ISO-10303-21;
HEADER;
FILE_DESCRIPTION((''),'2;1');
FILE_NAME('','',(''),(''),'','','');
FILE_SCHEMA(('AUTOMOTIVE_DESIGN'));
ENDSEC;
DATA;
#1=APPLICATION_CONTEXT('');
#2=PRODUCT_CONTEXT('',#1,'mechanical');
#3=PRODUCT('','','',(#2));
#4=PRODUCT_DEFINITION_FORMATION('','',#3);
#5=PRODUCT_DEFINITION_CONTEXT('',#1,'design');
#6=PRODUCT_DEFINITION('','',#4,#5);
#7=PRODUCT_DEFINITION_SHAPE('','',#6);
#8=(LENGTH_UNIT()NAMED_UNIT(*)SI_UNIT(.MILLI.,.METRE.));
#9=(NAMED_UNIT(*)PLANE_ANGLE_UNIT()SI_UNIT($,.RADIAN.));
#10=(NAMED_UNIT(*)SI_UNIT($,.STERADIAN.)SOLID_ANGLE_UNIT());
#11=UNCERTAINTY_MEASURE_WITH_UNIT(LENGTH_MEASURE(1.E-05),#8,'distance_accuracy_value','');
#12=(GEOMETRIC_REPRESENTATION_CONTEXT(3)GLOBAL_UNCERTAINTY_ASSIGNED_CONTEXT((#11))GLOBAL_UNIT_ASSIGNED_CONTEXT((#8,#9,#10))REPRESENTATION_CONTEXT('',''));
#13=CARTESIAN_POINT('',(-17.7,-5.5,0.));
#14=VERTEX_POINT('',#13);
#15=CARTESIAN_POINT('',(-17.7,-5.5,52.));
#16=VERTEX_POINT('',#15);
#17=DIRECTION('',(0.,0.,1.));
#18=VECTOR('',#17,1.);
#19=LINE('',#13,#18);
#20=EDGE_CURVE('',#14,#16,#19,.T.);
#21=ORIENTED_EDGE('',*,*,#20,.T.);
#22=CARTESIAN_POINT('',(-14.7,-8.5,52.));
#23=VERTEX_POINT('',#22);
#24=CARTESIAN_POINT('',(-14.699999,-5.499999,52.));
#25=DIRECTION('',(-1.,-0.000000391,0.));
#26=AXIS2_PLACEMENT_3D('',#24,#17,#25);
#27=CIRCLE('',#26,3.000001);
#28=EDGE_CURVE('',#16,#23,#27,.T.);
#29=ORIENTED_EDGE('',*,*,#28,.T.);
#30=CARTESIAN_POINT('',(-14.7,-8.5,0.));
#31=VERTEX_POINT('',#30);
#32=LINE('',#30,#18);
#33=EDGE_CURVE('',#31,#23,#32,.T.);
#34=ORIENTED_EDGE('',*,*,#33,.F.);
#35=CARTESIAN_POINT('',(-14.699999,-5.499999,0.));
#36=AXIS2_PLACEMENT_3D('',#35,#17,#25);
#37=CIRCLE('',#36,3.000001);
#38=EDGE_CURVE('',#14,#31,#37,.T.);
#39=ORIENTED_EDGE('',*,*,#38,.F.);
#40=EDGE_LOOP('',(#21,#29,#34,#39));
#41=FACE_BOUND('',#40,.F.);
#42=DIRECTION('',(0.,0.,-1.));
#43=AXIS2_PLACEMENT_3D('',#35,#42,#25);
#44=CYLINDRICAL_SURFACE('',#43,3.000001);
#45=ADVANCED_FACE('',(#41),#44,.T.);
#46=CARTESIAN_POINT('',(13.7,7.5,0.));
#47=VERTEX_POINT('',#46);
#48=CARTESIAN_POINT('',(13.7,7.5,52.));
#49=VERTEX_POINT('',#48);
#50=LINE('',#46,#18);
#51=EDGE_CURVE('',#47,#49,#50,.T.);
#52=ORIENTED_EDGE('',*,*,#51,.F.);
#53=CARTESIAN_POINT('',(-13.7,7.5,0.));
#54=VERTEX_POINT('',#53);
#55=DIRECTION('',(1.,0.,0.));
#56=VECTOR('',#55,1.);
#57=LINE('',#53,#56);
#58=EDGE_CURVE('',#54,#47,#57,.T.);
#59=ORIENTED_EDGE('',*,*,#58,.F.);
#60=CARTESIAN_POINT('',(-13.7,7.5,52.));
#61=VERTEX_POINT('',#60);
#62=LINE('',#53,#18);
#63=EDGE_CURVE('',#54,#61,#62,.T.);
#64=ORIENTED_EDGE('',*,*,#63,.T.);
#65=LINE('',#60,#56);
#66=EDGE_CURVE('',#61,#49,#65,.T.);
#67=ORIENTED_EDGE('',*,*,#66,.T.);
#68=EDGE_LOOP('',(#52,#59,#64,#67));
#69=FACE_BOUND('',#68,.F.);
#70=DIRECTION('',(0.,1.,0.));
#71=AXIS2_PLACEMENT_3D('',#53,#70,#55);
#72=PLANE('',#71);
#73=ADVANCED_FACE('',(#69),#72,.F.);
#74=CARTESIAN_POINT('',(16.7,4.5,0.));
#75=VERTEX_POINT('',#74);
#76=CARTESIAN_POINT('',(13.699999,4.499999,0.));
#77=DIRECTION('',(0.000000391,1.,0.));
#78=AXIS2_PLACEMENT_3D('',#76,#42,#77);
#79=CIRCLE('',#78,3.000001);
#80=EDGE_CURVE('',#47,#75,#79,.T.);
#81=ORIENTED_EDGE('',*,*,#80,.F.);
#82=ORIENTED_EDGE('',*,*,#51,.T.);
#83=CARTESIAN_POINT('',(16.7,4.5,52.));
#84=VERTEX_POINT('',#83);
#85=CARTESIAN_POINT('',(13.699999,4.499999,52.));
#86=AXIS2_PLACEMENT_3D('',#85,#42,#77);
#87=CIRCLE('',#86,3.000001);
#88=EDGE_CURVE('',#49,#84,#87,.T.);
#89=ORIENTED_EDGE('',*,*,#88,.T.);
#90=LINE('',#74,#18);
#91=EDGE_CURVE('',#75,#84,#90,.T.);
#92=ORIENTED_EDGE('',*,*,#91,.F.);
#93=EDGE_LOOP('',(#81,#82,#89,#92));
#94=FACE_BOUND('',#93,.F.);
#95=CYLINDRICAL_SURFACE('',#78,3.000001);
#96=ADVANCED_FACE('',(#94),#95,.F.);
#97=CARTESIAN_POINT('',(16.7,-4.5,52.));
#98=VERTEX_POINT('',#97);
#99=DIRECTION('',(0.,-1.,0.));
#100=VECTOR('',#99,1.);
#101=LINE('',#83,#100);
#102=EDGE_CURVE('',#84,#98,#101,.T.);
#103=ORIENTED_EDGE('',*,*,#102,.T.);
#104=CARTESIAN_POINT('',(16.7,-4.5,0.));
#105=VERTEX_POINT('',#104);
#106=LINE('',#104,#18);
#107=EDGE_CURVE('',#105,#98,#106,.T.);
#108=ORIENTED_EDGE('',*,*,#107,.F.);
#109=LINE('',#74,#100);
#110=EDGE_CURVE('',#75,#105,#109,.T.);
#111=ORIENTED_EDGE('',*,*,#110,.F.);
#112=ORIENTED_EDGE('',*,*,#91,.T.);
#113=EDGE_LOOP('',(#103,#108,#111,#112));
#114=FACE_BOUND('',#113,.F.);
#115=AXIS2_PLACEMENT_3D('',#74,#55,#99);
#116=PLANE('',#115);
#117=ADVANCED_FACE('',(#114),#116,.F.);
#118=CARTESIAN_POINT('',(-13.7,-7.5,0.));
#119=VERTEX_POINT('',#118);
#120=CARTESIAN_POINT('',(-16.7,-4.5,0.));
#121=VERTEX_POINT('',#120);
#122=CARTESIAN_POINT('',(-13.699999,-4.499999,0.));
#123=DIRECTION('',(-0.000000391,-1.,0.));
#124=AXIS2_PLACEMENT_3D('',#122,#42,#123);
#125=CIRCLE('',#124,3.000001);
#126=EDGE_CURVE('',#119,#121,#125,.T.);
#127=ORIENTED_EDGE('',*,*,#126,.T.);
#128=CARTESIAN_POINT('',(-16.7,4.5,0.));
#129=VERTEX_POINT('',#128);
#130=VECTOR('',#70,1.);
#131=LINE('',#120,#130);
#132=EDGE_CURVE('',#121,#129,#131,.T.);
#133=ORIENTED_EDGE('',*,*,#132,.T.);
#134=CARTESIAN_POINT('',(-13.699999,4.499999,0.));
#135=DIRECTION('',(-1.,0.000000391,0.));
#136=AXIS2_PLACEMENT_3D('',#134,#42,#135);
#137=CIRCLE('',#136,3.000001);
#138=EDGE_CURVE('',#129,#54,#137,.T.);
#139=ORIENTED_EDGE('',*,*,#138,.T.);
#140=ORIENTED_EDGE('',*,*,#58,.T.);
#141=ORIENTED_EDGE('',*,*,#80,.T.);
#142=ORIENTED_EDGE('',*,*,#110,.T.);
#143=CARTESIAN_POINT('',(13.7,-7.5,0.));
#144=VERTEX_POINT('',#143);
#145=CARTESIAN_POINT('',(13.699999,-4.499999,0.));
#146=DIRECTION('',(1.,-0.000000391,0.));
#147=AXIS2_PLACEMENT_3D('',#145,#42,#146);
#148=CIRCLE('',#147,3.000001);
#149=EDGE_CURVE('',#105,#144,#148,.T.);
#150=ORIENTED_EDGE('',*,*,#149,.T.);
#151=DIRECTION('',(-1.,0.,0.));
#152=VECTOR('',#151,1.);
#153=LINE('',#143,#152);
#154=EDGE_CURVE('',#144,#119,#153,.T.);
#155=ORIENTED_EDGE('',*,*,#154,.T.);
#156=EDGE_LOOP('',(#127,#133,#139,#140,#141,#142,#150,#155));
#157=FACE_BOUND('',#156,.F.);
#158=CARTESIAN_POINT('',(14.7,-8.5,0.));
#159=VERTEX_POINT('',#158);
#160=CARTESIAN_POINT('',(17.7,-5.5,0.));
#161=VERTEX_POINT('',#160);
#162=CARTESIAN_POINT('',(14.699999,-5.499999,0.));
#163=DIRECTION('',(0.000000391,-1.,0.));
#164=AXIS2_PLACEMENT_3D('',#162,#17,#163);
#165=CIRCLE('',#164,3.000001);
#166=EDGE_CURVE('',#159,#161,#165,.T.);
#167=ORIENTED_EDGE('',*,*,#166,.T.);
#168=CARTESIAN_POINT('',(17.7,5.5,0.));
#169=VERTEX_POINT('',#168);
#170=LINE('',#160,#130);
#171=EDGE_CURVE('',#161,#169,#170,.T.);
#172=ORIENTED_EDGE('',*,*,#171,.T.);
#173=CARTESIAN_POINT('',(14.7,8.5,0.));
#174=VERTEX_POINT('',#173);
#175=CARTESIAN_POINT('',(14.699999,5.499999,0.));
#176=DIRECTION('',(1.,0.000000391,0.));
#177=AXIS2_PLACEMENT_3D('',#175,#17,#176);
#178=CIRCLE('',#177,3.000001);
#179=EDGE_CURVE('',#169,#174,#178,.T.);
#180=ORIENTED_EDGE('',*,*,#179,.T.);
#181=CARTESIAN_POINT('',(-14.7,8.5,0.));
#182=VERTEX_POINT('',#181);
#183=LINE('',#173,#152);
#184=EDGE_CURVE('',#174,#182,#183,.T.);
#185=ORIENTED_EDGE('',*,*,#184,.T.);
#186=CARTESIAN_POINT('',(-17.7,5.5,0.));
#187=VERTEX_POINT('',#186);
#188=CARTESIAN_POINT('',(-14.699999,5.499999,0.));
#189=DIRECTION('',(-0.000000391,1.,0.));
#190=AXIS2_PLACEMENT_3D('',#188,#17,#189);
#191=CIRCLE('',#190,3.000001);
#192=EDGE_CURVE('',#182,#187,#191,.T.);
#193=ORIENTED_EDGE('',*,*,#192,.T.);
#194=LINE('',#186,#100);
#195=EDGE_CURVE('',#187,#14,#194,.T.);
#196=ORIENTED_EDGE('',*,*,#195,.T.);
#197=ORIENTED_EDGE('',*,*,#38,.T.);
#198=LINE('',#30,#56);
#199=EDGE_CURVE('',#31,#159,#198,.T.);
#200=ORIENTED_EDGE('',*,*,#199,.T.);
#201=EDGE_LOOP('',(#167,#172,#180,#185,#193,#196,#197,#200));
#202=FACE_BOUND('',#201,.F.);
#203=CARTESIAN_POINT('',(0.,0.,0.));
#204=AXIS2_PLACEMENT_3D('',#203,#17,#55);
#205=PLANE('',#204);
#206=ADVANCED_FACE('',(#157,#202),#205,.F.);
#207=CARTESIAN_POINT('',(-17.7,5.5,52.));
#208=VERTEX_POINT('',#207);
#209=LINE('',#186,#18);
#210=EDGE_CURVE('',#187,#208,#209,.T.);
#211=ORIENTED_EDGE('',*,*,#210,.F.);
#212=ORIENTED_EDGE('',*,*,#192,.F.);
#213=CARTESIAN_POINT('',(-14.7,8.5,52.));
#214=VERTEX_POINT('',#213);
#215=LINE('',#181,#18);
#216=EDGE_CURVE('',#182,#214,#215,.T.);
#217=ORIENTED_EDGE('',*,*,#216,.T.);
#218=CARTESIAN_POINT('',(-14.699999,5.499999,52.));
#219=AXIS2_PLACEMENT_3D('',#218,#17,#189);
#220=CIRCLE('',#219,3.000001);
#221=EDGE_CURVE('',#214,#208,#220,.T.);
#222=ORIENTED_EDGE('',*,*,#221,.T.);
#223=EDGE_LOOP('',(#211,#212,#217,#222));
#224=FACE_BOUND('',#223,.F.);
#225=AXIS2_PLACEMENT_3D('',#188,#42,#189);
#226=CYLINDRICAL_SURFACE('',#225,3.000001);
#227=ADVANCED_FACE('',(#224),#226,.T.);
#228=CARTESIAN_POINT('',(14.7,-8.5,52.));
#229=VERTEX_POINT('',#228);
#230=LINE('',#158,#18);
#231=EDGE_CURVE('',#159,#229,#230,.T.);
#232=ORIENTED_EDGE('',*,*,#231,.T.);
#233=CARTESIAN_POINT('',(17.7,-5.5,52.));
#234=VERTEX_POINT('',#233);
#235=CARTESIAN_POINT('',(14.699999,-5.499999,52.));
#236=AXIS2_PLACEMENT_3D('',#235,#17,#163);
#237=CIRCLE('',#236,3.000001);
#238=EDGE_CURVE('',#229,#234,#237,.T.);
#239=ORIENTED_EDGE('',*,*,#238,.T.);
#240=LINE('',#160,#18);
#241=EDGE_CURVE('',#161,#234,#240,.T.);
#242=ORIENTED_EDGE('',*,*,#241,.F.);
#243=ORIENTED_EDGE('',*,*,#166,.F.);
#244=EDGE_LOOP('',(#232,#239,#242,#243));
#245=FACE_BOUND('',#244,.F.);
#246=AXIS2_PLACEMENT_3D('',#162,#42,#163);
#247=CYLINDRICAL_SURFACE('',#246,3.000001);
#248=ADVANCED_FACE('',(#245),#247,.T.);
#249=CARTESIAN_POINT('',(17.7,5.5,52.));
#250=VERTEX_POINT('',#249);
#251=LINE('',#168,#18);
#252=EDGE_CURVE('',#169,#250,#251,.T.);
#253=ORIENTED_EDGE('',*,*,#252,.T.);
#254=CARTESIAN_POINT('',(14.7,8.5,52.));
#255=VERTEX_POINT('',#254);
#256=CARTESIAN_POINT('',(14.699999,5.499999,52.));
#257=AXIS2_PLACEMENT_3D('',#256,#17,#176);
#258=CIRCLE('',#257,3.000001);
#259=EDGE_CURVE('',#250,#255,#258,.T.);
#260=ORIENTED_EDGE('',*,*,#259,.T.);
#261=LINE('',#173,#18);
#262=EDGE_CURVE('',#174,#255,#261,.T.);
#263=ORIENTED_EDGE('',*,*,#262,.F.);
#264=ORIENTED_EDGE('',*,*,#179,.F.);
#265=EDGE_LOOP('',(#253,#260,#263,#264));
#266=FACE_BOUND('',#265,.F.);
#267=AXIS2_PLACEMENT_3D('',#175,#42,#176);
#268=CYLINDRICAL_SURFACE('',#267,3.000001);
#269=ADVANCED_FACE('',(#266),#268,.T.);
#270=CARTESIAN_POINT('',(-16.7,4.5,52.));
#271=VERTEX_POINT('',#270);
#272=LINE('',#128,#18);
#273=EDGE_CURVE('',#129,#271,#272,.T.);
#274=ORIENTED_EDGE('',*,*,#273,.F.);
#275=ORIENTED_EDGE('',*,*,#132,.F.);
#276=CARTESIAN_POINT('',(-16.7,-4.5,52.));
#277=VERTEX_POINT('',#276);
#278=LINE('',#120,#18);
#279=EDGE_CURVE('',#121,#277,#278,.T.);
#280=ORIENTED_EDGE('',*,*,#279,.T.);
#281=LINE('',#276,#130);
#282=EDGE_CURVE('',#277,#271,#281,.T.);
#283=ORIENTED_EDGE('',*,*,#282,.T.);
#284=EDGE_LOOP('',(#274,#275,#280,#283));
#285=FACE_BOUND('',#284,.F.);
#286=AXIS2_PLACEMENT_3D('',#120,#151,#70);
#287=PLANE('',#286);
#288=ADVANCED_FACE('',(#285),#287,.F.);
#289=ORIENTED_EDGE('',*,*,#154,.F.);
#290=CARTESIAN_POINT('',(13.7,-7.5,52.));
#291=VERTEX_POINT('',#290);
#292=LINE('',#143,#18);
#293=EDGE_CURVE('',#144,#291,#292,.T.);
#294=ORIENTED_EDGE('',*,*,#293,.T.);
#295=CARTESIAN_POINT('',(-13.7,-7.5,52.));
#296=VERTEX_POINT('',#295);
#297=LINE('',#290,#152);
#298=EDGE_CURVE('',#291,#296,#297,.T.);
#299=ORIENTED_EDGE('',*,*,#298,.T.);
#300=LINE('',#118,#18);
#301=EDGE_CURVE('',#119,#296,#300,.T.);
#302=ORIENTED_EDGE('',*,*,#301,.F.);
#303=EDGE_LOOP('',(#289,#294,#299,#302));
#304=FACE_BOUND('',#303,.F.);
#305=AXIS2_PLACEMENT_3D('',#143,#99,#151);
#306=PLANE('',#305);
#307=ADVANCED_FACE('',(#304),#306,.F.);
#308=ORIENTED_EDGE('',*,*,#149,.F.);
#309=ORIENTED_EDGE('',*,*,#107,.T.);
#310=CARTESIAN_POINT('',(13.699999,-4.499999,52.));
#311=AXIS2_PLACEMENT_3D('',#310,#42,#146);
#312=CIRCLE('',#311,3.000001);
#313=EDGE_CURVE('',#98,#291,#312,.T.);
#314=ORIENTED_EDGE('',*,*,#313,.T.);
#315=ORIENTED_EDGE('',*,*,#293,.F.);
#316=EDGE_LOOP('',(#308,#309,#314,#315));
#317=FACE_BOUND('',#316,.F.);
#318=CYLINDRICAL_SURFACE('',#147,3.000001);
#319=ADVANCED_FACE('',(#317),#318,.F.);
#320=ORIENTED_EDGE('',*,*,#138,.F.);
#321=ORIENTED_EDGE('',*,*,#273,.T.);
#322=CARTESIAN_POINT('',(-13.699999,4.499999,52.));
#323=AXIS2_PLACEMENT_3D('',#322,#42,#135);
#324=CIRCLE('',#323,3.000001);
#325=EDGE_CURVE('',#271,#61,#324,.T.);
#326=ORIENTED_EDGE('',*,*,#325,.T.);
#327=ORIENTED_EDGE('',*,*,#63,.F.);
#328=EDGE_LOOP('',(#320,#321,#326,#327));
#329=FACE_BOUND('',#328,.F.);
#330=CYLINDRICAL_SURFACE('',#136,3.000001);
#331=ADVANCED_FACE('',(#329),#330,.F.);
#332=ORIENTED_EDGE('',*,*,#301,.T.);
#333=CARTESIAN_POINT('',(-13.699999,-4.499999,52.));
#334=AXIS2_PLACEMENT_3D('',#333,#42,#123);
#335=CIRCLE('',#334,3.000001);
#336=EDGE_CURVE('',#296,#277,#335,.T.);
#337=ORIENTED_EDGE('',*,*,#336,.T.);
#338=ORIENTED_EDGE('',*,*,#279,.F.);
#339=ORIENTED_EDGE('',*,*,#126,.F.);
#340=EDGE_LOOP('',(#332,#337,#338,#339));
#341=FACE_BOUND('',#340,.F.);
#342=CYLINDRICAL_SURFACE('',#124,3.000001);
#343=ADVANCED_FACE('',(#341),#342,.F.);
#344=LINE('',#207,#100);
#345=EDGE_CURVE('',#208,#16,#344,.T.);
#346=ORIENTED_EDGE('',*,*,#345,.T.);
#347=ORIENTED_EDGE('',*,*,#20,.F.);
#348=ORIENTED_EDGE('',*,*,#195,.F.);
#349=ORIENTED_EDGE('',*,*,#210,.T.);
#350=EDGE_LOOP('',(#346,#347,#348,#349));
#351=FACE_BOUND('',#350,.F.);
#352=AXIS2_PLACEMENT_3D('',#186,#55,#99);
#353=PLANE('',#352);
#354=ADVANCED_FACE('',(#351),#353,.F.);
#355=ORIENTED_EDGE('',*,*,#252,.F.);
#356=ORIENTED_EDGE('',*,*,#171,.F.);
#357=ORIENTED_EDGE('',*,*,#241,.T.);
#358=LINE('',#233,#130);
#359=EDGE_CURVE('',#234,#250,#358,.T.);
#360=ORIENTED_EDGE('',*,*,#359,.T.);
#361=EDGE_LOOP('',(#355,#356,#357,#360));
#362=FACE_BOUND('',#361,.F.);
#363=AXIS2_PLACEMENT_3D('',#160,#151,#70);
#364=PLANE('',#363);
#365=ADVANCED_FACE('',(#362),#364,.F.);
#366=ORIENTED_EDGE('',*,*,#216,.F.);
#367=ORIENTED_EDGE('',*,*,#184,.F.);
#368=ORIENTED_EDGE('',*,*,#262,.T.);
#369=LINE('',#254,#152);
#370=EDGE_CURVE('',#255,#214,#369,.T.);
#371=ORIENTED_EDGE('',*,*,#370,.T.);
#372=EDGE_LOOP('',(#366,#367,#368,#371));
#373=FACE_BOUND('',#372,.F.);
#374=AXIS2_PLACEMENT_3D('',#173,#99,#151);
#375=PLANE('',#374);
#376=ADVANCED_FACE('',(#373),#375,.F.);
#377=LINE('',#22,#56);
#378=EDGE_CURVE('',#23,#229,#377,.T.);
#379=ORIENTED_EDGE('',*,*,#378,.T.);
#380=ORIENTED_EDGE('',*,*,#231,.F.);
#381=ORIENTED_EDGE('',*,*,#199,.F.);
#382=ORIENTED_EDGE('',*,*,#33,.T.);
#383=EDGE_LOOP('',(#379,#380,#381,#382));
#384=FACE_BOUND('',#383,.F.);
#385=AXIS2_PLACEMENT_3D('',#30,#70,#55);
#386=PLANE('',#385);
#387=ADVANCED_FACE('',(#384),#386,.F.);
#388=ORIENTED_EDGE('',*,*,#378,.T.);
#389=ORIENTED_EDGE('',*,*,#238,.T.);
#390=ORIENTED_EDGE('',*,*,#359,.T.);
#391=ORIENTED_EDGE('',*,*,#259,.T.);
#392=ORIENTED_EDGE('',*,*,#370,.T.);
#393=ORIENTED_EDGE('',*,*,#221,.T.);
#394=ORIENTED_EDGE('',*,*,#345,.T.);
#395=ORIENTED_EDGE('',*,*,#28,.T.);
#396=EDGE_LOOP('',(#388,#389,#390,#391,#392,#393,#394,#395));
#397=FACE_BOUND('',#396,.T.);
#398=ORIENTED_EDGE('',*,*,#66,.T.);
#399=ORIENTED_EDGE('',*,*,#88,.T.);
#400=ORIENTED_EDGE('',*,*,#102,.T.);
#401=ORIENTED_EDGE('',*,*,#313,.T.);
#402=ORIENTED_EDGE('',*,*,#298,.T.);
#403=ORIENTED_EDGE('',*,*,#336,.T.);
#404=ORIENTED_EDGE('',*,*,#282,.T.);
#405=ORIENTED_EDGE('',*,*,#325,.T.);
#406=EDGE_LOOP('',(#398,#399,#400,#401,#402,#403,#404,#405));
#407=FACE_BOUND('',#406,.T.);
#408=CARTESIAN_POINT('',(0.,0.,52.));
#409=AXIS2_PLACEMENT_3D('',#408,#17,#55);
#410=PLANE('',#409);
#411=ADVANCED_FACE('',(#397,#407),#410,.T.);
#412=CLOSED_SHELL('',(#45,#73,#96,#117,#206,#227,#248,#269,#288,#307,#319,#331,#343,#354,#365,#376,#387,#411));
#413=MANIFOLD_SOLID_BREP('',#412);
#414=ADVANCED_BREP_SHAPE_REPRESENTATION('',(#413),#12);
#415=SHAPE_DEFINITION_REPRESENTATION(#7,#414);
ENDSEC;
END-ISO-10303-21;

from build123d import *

# Parameters (mm, degrees)
F1_DEPTH = 52
F2_W     = 5
F2_H     = 4
F3_DEPTH = 52.001


with BuildPart() as f1:
    # F0 (on Top) → F1 (new body)
    with BuildSketch(Plane.XY):
        with BuildLine():
            Line((-14.7, -8.5), (14.7, -8.5))
            ThreePointArc((14.7, -8.5), (16.82132, -7.62132), (17.7, -5.5))
            Line((17.7, -5.5), (17.7, 5.5))
            ThreePointArc((17.7, 5.5), (16.82132, 7.62132), (14.7, 8.5))
            Line((14.7, 8.5), (-14.7, 8.5))
            ThreePointArc((-14.7, 8.5), (-16.82132, 7.62132), (-17.7, 5.5))
            Line((-17.7, 5.5), (-17.7, -5.5))
            ThreePointArc((-17.7, -5.5), (-16.82132, -7.62132), (-14.7, -8.5))
        make_face()
        with BuildLine():
            Line((-13.7, 7.5), (13.7, 7.5))
            ThreePointArc((13.7, 7.5), (15.82132, 6.62132), (16.7, 4.5))
            Line((16.7, 4.5), (16.7, -4.5))
            ThreePointArc((16.7, -4.5), (15.82132, -6.62132), (13.7, -7.5))
            Line((13.7, -7.5), (-13.7, -7.5))
            ThreePointArc((-13.7, -7.5), (-15.82132, -6.62132), (-16.7, -4.5))
            Line((-16.7, -4.5), (-16.7, 4.5))
            ThreePointArc((-16.7, 4.5), (-15.82132, 6.62132), (-13.7, 7.5))
        make_face(mode=Mode.SUBTRACT)
    extrude(amount=F1_DEPTH)

    # F2 (on face) → F3 (cut, through all)
    with BuildSketch(Plane(origin=(0, 0, 0), x_dir=(1, 0, 0), z_dir=(0, 0, -1))):
        with Locations((2.2, 0)):
            Rectangle(F2_W, F2_H)
    extrude(amount=-F3_DEPTH, mode=Mode.SUBTRACT)


solid = f1.part
